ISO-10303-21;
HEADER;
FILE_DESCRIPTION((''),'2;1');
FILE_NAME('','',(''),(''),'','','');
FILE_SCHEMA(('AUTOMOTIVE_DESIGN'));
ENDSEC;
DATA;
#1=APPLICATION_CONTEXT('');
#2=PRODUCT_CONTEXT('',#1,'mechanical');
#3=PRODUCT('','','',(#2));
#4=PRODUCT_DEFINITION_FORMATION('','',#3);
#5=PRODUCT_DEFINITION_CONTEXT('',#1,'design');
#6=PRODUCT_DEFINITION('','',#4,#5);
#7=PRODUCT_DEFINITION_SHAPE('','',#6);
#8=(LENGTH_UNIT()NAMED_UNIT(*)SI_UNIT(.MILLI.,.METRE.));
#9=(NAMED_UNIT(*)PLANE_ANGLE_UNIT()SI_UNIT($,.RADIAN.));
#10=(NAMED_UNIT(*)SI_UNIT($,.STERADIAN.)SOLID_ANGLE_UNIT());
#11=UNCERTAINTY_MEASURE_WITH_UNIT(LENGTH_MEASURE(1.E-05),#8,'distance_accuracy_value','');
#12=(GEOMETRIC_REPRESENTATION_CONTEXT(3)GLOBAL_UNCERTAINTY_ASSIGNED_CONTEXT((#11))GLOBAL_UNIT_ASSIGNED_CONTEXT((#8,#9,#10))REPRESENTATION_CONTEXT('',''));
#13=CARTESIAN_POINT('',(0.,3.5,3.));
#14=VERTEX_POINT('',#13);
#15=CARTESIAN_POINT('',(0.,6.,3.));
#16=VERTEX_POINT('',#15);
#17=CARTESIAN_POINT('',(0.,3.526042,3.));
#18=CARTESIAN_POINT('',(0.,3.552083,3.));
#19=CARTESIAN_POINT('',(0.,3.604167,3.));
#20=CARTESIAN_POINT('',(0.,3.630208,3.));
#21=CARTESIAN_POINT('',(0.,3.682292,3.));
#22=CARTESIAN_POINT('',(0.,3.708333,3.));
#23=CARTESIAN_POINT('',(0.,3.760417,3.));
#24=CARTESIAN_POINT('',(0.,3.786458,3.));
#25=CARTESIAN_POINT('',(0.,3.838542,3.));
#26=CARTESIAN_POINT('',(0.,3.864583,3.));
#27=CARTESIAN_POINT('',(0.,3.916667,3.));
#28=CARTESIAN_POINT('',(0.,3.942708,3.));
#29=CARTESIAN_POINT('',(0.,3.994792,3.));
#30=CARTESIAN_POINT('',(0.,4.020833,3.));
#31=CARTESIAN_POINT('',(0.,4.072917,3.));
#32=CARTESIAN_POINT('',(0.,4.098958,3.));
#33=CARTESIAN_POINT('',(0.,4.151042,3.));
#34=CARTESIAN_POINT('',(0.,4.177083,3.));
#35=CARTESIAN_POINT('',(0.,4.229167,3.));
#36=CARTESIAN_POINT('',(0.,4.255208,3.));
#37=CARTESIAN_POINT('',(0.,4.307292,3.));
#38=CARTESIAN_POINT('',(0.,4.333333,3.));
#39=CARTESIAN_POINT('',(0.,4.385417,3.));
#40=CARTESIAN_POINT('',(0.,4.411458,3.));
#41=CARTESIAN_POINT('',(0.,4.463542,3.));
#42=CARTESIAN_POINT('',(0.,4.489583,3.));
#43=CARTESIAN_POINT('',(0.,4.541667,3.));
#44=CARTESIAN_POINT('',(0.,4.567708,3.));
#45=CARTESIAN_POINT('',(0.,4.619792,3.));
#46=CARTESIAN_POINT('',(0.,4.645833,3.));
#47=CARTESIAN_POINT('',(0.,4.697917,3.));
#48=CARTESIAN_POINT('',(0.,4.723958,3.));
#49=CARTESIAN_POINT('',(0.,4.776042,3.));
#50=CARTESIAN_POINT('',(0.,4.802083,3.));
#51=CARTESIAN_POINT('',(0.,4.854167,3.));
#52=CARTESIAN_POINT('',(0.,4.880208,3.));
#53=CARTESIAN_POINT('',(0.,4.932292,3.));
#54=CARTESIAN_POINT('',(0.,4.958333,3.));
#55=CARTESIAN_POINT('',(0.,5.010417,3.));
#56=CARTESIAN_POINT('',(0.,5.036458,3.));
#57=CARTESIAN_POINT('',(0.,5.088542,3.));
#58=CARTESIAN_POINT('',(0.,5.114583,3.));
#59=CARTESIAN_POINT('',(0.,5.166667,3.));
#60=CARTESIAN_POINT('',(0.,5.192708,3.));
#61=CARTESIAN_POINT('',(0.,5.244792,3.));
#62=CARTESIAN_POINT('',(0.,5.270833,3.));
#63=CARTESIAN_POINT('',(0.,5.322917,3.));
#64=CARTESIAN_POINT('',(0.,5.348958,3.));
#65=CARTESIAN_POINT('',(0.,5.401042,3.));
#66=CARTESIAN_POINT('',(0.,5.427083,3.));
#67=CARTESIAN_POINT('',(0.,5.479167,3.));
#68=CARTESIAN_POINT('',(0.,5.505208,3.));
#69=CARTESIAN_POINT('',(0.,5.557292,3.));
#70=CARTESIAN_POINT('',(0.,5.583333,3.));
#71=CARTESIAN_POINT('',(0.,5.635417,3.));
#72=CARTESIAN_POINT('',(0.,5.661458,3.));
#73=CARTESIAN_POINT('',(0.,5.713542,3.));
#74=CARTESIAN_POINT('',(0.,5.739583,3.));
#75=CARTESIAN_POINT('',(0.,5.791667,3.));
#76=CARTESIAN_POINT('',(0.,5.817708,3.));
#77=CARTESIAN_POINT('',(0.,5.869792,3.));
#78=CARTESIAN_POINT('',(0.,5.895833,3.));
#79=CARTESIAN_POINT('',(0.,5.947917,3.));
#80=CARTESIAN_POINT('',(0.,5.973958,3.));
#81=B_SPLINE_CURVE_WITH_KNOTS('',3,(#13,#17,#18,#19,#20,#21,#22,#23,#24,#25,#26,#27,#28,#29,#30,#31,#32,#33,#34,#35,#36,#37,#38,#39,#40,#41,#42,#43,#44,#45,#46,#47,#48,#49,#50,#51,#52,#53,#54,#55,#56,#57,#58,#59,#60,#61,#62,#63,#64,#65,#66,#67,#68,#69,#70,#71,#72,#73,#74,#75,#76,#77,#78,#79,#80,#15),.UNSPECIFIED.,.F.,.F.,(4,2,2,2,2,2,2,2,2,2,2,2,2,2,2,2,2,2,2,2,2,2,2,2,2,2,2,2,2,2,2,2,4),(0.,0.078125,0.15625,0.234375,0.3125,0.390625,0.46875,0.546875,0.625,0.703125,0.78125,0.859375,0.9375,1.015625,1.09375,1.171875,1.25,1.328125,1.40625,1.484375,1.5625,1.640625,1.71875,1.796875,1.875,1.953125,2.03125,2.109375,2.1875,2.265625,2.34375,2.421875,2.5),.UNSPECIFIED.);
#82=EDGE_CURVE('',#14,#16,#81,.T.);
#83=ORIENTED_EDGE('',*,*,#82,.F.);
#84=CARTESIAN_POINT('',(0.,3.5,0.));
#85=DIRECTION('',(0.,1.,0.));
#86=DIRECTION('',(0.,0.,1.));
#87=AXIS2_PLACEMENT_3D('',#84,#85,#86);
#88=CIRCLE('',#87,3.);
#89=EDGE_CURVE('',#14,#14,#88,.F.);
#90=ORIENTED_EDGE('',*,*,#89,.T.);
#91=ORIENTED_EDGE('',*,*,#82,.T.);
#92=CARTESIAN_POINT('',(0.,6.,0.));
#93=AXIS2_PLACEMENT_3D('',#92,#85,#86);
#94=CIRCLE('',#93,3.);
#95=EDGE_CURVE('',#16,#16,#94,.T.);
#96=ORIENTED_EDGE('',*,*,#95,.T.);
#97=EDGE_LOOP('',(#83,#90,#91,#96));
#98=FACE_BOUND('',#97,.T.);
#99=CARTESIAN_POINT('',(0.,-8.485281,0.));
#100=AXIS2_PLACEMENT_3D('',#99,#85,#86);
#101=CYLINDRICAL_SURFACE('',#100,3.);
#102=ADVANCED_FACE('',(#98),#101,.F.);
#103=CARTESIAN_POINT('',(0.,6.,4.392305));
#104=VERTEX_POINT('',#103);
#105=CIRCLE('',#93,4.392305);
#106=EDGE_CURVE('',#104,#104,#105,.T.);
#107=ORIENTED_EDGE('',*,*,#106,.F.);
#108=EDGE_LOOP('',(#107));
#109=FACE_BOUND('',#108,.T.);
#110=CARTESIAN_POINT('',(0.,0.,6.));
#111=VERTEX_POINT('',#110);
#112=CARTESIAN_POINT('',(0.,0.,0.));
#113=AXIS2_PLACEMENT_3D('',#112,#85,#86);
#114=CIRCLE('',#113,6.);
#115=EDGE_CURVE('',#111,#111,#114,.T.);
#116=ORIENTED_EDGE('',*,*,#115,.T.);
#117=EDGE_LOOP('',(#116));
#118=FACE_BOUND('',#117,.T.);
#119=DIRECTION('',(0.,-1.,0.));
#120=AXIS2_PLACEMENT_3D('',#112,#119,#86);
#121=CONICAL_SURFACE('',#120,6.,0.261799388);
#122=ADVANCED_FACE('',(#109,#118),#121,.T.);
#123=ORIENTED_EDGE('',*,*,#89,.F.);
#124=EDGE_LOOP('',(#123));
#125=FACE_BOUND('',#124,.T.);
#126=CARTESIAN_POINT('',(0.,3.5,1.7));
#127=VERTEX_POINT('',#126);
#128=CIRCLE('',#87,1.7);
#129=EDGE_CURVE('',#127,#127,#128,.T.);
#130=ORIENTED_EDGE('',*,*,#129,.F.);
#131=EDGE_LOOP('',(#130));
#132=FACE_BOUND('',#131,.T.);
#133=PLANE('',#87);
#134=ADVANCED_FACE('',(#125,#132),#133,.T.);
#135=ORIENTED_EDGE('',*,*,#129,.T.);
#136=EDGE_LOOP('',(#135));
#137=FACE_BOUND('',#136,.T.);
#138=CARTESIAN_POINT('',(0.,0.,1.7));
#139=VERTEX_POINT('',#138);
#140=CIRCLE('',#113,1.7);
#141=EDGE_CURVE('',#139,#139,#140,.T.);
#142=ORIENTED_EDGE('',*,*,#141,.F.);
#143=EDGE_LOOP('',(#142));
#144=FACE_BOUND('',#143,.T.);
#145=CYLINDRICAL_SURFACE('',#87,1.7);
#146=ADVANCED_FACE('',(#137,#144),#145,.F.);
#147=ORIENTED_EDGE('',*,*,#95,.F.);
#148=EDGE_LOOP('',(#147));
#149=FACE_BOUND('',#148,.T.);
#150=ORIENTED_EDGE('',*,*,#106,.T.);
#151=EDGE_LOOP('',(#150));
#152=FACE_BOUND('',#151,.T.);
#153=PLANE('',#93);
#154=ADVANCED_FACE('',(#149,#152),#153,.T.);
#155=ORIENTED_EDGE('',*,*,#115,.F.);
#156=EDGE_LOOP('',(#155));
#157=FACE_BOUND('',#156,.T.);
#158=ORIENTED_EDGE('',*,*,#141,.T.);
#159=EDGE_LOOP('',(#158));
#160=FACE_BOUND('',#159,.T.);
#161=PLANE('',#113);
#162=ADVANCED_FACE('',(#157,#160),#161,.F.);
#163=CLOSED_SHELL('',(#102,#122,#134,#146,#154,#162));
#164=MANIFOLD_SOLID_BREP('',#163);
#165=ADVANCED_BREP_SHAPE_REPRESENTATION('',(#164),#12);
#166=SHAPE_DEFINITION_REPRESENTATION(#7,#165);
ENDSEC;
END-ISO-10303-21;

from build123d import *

# Parameters (mm, degrees)
ESQUISSE1_R             = 6
BOSS_EXTRU_1_DEPTH      = 6
BOSS_EXTRU_1_TAPER      = 15
ESQUISSE2_R             = 3
ENL_V_MAT_EXTRU_1_DEPTH = 2.5
D_GAGEMENT_M31_D        = 3.4


with BuildPart() as part:
    # Esquisse1 → Boss.-Extru.1 (new body)
    with BuildSketch(Plane(origin=(0, 0, 0), x_dir=(1, 0, 0), z_dir=(0, 1, 0))):
        Circle(ESQUISSE1_R)
    extrude(amount=BOSS_EXTRU_1_DEPTH, taper=BOSS_EXTRU_1_TAPER)

    # Esquisse2 → Enlèv. mat.-Extru.1 (cut)
    with BuildSketch(Plane(origin=(0, 6, 0), x_dir=(1, 0, 0), z_dir=(0, 1, 0))):
        with Locations(Location((0, 0, 0), (0, 0, 270))):
            Circle(ESQUISSE2_R)
    extrude(amount=-ENL_V_MAT_EXTRU_1_DEPTH, mode=Mode.SUBTRACT)

    # Dégagement M31 (through all)
    with Locations(Plane(origin=(0, 3.5, 0), x_dir=(1, 0, 0), z_dir=(0, 1, 0))):
        with Locations((0, 0)):
            Hole(D_GAGEMENT_M31_D / 2)


solid = part.part
